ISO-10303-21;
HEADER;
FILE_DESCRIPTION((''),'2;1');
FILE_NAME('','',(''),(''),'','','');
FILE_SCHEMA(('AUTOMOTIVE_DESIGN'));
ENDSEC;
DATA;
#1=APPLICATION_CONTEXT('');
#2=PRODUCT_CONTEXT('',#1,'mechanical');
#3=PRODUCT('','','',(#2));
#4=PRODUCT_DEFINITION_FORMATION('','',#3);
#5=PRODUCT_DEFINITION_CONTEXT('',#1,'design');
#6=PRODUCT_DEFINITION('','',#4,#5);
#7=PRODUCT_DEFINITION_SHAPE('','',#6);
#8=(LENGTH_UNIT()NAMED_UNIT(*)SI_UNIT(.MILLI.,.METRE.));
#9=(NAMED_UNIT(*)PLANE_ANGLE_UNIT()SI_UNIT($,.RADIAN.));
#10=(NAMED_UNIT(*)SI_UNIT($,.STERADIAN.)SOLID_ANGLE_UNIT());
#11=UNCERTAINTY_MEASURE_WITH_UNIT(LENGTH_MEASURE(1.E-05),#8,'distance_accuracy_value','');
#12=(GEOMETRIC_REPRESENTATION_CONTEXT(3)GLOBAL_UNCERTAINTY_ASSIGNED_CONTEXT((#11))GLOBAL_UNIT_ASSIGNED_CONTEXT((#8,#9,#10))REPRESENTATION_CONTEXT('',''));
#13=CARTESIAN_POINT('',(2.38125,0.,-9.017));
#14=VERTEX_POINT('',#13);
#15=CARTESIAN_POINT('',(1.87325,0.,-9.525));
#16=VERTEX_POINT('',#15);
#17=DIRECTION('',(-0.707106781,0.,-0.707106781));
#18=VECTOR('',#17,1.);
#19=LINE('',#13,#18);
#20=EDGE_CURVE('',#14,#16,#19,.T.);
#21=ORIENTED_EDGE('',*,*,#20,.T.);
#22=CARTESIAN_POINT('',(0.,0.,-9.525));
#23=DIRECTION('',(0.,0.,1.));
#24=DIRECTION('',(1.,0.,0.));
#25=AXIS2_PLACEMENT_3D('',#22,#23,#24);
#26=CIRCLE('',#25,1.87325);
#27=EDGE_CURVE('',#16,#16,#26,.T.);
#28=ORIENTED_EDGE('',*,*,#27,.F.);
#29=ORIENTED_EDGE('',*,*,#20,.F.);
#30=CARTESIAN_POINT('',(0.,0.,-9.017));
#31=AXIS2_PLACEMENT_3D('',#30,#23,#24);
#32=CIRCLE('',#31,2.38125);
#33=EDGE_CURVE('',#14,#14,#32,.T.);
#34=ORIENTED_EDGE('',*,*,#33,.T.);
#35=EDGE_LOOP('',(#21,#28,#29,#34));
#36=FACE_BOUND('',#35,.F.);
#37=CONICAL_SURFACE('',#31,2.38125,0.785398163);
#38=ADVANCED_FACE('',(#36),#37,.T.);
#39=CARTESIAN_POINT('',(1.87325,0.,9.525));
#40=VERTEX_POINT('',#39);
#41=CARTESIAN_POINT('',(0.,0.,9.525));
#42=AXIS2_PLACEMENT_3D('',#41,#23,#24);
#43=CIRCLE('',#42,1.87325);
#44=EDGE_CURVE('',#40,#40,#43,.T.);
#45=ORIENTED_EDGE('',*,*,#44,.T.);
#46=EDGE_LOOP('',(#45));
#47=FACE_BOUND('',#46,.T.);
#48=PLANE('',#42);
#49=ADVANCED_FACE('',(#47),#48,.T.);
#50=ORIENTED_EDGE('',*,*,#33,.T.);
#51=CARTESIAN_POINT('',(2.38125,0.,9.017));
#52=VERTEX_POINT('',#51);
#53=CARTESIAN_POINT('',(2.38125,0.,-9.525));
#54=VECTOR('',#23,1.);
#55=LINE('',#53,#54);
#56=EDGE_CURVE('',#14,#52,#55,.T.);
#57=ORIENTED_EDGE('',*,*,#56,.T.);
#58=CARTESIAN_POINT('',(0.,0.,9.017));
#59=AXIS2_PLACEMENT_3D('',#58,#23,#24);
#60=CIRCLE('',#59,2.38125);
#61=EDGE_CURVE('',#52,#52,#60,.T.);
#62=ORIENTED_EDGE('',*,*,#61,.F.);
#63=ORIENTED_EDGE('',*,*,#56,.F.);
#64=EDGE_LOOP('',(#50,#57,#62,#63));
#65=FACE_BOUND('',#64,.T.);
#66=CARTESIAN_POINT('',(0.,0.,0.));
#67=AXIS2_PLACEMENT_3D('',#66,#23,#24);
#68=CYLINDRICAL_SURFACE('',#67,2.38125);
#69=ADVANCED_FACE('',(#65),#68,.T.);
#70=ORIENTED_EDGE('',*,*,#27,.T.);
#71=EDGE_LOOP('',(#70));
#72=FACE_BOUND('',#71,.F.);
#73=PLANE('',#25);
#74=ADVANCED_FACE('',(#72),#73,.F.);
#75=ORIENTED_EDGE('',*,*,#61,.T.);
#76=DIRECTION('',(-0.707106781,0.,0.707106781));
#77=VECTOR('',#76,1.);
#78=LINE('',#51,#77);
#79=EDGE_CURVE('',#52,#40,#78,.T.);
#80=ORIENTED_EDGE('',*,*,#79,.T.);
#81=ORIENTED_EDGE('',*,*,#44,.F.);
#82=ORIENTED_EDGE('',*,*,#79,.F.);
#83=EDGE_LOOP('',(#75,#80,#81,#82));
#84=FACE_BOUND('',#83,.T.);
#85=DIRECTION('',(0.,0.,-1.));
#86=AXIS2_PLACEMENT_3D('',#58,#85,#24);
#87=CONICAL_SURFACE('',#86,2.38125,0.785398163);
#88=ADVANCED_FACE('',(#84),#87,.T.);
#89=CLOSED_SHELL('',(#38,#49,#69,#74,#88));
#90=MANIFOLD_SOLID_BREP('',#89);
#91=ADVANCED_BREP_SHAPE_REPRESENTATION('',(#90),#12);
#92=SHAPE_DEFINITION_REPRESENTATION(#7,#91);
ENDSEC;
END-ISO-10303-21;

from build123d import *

# Parameters (mm, degrees)
F0_R     = 2.38125
F1_DEPTH = 9.525
F2_SIZE  = 0.508


with BuildPart() as f1:
    # F0 (on Top) → F1 (new body, symmetric)
    with BuildSketch(Plane.XY):
        Circle(F0_R)
    extrude(amount=F1_DEPTH, both=True)

    # F2
    f2_edges = [f1.edges().sort_by_distance(p)[0] for p in [
        (-2.38125, 0, 9.525),
        (-2.38125, 0, -9.525),
    ]]
    chamfer(f2_edges, length=F2_SIZE)


solid = f1.part
